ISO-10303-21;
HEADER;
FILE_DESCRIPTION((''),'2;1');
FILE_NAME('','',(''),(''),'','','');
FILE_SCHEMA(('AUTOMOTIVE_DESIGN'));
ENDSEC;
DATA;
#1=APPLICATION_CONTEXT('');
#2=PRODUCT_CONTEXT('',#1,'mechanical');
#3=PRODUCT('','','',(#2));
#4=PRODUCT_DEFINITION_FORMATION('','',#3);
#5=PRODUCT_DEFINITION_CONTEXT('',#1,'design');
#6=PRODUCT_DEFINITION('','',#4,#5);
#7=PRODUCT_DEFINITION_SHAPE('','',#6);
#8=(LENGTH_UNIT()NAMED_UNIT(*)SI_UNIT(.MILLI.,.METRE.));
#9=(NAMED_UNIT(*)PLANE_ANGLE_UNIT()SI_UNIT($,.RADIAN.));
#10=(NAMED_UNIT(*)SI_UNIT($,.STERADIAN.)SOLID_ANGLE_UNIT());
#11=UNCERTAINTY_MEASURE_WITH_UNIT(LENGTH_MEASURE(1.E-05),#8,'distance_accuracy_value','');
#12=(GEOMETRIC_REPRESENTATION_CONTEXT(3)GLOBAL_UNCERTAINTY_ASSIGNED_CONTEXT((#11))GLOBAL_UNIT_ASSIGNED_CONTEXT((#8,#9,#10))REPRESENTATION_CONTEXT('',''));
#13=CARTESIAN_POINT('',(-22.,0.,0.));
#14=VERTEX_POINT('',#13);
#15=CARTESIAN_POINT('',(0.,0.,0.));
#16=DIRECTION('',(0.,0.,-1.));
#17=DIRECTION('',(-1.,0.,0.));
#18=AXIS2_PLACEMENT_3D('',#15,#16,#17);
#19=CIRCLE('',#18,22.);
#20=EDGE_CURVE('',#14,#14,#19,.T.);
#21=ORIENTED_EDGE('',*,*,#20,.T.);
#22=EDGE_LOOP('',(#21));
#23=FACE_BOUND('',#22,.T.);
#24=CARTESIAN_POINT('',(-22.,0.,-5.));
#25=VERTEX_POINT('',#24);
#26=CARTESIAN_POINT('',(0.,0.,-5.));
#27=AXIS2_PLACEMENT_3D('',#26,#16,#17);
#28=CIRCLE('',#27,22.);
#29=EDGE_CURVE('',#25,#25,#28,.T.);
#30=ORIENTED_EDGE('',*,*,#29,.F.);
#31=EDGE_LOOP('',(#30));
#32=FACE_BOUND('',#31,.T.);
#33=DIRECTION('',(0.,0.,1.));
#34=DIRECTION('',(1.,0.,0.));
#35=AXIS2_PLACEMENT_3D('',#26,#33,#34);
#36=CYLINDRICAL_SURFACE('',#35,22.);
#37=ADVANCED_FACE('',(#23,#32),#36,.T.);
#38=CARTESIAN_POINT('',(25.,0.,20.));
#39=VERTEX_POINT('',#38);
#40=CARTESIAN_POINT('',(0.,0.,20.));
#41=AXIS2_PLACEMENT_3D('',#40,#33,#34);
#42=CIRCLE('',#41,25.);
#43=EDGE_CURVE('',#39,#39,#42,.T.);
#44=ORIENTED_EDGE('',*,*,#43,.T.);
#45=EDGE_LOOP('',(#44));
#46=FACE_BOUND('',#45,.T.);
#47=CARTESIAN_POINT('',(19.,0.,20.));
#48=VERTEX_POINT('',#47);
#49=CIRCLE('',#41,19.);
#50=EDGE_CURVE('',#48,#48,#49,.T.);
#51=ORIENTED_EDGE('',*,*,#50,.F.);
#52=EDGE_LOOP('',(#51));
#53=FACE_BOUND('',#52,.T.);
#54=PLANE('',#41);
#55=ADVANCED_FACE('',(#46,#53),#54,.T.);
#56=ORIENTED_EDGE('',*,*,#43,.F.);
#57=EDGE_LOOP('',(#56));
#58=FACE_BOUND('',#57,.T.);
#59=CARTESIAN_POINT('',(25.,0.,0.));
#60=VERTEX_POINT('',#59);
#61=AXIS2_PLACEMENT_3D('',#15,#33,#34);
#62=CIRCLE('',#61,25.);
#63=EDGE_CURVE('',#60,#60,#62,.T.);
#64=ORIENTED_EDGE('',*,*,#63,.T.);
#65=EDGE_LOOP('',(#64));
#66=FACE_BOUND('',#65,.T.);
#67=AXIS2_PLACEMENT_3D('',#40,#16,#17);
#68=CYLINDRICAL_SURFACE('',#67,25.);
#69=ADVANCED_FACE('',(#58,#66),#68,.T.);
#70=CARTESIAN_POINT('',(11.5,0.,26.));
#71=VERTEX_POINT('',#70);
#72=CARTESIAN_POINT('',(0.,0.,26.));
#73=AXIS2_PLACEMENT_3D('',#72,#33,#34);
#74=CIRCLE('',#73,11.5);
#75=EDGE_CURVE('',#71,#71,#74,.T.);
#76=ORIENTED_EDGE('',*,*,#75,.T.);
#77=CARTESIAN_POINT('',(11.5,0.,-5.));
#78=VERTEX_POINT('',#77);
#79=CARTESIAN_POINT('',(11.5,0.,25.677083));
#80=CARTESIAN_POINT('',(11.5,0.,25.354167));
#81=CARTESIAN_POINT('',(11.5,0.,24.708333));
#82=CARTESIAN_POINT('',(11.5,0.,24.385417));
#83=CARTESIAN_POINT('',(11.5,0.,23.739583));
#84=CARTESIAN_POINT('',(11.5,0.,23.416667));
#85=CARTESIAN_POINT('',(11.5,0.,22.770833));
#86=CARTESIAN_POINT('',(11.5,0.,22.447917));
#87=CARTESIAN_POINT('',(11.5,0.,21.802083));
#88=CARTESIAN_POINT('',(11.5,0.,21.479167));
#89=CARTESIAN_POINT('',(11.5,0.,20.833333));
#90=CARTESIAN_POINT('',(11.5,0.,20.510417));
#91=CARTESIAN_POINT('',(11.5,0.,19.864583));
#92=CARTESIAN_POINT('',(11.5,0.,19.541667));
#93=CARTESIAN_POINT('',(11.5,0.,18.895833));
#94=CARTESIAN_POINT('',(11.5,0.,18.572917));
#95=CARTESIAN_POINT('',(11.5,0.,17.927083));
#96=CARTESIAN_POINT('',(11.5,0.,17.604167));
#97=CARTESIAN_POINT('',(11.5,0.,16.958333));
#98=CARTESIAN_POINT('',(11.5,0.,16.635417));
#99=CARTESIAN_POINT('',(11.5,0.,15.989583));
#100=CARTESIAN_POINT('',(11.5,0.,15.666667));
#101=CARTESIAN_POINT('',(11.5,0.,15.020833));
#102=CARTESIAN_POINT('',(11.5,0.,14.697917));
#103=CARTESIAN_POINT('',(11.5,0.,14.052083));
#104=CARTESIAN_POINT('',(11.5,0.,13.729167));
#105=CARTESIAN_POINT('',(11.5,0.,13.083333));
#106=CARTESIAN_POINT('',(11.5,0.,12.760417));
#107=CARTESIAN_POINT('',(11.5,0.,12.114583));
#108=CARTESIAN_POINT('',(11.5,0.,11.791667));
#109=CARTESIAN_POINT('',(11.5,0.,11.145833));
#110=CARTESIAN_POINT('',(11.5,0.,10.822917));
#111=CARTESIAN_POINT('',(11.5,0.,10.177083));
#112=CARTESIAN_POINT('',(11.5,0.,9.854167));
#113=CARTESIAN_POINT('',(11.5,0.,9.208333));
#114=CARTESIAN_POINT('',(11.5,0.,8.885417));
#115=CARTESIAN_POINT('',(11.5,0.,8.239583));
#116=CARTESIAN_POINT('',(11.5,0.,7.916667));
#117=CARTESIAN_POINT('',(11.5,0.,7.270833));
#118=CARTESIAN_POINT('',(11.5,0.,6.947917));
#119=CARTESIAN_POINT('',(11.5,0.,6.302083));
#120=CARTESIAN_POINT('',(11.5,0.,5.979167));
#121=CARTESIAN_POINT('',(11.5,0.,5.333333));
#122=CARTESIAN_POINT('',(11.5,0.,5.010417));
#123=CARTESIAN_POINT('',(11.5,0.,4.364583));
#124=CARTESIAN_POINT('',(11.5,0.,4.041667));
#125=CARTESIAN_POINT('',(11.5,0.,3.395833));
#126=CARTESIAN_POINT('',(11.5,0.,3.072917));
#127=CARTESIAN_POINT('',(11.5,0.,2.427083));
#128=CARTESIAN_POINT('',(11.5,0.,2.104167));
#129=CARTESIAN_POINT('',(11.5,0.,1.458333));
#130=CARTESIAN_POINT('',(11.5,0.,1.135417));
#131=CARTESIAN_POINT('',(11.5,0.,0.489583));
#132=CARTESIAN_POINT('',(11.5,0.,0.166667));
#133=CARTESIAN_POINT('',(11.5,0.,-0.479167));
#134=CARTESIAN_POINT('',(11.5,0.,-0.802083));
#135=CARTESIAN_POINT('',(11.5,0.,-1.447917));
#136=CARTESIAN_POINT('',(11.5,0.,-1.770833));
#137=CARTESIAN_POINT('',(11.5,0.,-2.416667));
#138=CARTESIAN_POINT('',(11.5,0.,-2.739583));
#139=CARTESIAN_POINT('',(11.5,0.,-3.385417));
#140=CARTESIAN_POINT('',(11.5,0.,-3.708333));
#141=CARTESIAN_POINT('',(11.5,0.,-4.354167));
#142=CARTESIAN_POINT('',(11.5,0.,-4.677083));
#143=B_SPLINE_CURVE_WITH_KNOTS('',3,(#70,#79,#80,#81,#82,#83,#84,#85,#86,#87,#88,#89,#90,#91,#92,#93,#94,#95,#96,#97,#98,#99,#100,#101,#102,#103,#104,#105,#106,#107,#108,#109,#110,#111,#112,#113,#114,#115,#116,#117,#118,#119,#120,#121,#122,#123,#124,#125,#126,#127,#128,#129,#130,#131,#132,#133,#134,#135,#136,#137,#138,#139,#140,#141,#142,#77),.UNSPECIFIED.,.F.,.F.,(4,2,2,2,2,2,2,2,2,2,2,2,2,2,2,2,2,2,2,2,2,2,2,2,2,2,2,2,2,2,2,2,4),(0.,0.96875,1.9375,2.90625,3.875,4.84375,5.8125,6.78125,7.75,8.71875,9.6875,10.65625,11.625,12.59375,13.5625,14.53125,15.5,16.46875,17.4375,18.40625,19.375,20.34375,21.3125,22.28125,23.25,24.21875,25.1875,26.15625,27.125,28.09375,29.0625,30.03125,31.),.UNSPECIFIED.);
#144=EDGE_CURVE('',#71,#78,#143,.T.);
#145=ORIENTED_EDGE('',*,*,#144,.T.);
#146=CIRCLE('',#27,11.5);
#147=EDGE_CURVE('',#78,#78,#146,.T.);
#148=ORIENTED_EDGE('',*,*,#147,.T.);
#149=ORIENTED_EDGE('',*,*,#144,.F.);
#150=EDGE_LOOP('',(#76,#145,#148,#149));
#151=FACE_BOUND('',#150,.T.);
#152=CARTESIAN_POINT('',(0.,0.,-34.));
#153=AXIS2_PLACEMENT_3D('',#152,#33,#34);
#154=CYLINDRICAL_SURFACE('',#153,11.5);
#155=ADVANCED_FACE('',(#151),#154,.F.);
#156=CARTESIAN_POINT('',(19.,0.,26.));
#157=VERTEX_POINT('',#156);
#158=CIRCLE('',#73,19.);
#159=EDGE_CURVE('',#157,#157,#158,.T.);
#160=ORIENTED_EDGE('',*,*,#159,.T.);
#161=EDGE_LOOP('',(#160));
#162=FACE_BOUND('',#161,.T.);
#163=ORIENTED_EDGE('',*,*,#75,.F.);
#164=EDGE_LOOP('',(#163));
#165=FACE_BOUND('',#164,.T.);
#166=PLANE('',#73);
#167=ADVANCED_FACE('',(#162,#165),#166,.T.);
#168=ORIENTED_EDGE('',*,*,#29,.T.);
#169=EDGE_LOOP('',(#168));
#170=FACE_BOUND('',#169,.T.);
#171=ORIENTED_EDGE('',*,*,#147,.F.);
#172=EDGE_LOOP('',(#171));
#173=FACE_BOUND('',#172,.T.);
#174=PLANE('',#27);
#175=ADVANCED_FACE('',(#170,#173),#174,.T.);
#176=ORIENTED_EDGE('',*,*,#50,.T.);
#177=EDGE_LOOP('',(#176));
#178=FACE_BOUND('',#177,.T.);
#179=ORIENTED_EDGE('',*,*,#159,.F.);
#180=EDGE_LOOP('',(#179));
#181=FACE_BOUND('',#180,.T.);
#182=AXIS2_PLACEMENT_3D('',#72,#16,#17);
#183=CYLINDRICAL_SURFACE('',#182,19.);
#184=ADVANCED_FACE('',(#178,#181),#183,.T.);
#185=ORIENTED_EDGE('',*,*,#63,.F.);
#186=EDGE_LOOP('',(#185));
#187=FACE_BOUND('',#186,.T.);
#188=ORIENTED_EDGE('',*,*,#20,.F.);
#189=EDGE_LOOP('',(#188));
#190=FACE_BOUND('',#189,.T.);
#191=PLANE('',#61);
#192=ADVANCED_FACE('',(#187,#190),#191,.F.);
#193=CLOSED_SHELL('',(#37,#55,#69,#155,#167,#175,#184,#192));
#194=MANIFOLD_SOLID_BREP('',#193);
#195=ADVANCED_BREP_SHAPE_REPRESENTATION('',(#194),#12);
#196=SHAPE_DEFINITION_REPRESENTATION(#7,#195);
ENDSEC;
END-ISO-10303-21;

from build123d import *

# Parameters (mm, degrees)
SKETCH1_R           = 25
BOSS_EXTRUDE1_DEPTH = 20
SKETCH2_R           = 19
BOSS_EXTRUDE2_DEPTH = 6
SKETCH3_R           = 11.5
CUT_EXTRUDE1_DEPTH  = 60
SKETCH5_R           = 22
SKETCH5_R_2         = 11.5
BOSS_EXTRUDE4_DEPTH = 5


with BuildPart() as part:
    # Sketch1 → Boss-Extrude1 (new body)
    with BuildSketch(Plane.XY):
        Circle(SKETCH1_R)
    extrude(amount=BOSS_EXTRUDE1_DEPTH)

    # Sketch2 → Boss-Extrude2 (add)
    with BuildSketch(Plane.XY.offset(20)):
        Circle(SKETCH2_R)
    extrude(amount=BOSS_EXTRUDE2_DEPTH)

    # Sketch3 → Cut-Extrude1 (cut)
    with BuildSketch(Plane.XY.offset(26)):
        Circle(SKETCH3_R)
    extrude(amount=-CUT_EXTRUDE1_DEPTH, mode=Mode.SUBTRACT)

    # Sketch5 → Boss-Extrude4 (add)
    with BuildSketch(Plane(origin=(0, 0, 0), x_dir=(-1, 0, 0), z_dir=(0, 0, -1))):
        Circle(SKETCH5_R)
        with Locations(Location((0, 0, 0), (0, 0, 180))):
            Circle(SKETCH5_R_2, mode=Mode.SUBTRACT)
    extrude(amount=BOSS_EXTRUDE4_DEPTH)


solid = part.part
